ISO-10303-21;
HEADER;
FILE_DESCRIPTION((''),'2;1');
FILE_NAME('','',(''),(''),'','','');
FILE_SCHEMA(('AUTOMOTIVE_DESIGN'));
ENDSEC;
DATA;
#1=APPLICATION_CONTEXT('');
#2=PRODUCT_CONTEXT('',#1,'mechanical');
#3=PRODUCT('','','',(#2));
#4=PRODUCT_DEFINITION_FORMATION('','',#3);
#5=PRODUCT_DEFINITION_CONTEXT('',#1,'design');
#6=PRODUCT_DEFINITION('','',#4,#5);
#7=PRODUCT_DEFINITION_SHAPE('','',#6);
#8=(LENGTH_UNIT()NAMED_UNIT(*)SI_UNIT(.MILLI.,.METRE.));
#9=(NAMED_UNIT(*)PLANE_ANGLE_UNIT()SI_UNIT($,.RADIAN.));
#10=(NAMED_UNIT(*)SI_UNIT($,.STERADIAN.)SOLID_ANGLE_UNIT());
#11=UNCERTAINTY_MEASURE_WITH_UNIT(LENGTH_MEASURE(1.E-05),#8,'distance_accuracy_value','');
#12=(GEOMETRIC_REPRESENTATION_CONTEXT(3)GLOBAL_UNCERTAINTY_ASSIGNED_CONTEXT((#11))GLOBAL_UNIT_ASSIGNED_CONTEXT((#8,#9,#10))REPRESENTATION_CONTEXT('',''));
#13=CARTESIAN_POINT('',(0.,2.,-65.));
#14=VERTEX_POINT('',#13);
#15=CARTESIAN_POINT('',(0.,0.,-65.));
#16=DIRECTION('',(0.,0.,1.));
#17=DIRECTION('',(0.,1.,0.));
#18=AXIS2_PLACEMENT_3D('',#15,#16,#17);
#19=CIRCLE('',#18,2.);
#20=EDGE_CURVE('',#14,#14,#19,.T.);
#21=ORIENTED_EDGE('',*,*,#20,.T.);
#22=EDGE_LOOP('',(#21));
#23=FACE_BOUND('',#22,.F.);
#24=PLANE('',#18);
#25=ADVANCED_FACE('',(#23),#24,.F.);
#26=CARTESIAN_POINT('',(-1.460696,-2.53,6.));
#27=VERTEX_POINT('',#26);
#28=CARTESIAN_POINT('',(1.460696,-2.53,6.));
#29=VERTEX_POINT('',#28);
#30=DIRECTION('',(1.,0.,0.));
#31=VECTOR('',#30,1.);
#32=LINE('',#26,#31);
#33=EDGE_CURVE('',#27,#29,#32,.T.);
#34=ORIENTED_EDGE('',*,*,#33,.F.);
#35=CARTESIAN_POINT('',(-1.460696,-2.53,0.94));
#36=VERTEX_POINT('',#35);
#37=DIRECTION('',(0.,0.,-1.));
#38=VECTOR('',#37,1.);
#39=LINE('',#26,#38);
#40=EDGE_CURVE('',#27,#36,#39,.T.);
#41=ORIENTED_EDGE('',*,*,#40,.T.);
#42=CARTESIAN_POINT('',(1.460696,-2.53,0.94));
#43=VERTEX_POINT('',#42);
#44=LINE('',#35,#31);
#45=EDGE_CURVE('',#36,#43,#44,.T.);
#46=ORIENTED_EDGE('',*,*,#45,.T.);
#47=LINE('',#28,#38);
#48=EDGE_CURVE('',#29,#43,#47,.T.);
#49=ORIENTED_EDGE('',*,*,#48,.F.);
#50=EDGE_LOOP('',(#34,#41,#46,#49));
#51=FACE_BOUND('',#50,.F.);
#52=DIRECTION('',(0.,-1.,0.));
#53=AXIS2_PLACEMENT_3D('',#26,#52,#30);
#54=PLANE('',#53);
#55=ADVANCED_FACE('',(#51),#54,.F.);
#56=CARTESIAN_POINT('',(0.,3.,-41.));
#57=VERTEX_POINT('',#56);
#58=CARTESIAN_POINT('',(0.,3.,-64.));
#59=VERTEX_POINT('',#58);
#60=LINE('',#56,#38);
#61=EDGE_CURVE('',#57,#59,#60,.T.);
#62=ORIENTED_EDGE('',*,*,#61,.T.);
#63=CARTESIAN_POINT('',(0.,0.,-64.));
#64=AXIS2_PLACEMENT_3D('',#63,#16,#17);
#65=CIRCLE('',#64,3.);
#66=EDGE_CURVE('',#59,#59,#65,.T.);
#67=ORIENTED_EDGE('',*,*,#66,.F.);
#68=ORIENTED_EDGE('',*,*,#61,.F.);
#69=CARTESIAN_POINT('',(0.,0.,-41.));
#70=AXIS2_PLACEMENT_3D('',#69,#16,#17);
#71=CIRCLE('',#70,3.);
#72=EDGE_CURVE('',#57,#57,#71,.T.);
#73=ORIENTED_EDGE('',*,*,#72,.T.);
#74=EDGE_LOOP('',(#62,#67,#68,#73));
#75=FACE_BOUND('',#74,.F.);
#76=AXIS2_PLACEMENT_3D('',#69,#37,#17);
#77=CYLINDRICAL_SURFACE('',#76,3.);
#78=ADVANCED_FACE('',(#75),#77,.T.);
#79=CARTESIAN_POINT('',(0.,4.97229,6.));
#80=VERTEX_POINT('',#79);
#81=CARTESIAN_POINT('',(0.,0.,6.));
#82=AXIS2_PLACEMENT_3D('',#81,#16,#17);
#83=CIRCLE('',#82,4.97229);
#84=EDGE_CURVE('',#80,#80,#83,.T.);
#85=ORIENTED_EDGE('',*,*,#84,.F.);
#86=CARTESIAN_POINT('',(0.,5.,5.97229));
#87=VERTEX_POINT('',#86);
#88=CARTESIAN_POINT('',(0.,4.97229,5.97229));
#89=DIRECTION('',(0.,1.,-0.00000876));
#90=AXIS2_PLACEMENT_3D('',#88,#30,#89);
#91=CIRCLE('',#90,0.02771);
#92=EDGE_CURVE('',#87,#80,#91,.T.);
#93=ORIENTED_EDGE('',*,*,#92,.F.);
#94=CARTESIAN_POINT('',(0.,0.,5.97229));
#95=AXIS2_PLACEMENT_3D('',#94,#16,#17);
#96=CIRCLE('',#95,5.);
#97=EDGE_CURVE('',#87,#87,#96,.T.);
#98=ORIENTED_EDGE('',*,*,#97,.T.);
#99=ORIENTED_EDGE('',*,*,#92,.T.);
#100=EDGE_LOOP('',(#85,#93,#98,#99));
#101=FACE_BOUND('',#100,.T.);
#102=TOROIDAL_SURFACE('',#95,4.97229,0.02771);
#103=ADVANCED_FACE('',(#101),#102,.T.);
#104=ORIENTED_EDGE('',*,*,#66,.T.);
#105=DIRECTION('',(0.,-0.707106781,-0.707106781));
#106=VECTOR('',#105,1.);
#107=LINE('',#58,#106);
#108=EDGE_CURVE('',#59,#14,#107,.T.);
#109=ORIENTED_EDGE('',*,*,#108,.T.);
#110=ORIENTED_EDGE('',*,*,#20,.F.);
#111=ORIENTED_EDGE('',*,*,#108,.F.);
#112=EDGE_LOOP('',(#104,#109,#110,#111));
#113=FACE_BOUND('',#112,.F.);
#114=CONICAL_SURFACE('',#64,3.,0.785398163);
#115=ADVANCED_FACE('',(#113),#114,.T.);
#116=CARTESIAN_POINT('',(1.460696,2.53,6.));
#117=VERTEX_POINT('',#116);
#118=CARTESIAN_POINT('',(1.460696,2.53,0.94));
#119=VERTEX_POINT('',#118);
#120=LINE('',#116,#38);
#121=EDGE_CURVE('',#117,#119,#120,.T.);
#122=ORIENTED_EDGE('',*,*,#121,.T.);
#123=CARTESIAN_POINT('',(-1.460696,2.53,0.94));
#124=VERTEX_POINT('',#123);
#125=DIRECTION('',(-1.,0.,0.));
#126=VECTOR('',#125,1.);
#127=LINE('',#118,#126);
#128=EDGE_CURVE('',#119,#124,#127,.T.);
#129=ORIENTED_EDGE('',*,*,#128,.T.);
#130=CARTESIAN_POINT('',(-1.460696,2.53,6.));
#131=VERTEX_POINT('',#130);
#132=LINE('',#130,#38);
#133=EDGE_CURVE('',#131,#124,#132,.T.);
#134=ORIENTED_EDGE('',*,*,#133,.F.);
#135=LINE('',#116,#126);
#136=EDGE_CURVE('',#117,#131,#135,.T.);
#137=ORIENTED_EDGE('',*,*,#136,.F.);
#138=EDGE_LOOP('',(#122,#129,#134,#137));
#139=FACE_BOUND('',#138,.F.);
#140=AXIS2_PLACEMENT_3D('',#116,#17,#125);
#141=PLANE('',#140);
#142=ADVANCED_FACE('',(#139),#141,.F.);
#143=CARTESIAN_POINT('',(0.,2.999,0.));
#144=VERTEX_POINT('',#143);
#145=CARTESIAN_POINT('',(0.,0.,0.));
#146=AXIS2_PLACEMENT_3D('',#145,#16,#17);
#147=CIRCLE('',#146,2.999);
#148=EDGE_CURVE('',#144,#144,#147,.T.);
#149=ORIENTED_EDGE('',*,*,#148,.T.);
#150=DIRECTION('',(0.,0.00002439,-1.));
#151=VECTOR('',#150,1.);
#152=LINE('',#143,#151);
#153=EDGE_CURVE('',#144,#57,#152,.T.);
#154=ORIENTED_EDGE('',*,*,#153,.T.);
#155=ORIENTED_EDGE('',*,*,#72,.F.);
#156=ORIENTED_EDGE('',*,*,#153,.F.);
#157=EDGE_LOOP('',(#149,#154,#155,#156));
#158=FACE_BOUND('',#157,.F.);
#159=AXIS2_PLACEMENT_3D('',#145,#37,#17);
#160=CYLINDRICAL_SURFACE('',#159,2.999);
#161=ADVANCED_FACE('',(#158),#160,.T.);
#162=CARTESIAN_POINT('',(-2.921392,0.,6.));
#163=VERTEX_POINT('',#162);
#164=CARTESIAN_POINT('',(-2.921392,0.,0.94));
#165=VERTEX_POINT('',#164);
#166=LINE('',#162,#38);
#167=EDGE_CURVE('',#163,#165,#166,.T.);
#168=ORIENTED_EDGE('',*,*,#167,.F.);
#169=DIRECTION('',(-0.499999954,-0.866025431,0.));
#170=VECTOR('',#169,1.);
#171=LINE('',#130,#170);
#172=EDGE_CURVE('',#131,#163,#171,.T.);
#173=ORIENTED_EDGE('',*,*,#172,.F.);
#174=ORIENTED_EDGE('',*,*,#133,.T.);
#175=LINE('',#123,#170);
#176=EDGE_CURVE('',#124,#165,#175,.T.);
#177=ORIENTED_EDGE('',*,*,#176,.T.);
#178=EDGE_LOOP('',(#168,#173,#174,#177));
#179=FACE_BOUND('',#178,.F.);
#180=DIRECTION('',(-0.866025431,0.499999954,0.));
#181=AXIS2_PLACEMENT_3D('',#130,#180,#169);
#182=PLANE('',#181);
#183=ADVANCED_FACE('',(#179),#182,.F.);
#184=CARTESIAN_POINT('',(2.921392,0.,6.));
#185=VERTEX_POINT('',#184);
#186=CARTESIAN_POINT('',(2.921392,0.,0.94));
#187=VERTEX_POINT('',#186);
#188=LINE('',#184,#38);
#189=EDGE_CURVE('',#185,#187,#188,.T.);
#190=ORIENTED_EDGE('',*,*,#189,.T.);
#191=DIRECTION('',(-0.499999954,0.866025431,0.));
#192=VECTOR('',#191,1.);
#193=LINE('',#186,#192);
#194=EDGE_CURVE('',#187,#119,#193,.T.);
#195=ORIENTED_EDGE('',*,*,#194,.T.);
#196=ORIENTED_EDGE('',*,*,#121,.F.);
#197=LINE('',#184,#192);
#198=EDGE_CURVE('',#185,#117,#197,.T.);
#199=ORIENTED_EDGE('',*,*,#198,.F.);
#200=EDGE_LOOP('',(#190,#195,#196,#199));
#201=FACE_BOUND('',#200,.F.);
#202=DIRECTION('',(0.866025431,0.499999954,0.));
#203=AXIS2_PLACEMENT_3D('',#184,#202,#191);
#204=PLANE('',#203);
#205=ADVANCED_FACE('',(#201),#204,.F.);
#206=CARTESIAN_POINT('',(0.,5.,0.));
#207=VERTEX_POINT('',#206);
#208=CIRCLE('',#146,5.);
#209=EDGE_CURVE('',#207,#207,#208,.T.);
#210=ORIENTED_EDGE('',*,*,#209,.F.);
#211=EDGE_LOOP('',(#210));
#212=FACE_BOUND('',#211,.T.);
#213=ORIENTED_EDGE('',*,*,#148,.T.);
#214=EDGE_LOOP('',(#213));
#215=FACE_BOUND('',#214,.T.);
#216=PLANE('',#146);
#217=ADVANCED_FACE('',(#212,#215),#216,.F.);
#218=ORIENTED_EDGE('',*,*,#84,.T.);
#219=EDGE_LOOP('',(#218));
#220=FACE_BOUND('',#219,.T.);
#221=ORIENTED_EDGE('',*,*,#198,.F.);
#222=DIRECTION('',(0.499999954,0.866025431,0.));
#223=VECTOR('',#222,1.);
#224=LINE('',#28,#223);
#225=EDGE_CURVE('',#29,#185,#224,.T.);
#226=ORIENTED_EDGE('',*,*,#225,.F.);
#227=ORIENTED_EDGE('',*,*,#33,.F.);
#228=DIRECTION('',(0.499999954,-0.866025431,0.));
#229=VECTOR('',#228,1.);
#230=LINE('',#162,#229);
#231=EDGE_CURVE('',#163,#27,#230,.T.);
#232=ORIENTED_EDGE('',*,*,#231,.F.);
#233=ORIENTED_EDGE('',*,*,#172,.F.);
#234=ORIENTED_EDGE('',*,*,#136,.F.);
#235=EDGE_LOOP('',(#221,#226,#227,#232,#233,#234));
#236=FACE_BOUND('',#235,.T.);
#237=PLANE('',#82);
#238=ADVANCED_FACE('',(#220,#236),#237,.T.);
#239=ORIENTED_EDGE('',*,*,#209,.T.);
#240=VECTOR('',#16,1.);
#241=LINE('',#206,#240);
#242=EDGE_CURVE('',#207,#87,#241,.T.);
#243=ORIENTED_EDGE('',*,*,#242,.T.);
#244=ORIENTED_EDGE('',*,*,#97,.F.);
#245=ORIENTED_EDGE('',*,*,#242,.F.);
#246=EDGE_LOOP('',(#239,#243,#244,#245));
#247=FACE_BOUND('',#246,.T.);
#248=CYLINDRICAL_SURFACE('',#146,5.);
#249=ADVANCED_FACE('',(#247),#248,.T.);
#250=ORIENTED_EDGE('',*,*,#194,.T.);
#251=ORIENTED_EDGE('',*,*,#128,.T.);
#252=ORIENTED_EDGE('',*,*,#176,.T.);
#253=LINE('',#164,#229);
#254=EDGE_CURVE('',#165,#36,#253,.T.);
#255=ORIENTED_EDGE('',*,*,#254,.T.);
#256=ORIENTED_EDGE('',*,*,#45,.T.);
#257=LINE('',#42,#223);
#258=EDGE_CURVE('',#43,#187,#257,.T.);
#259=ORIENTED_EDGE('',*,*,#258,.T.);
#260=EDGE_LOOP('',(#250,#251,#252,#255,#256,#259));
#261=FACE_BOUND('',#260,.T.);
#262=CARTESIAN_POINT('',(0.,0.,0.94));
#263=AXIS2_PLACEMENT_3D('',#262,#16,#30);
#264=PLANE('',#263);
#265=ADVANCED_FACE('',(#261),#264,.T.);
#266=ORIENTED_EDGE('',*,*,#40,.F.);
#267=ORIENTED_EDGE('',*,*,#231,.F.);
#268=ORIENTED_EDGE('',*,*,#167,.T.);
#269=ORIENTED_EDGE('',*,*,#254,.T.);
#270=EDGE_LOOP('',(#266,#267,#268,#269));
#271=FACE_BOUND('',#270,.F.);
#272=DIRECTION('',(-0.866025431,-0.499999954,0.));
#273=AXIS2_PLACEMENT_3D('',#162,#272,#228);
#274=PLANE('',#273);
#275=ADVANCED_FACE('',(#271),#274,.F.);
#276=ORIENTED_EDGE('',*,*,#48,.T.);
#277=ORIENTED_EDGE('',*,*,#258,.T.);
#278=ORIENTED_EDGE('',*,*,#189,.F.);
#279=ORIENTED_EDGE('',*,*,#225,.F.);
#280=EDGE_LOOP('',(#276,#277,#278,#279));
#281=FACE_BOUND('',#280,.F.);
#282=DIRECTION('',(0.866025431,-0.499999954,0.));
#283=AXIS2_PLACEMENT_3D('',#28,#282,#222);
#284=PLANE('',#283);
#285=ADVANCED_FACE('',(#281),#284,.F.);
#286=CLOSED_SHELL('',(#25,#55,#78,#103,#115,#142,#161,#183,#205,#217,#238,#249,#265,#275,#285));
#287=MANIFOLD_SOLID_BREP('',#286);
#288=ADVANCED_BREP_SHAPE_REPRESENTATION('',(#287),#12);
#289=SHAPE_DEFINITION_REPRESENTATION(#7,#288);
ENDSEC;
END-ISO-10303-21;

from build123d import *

# Parameters (mm, degrees)
POCKET_DEPTH = 5.06


with BuildPart() as part:
    # Sketch → Revolve (revolve)
    with BuildSketch(Plane.YZ):
        with BuildLine():
            Line((2.999, 0), (5, 0))
            Line((5, 0), (5, 5.97229))
            ThreePointArc((5, 5.97229), (4.991884, 5.991884), (4.97229, 6))
            Line((4.97229, 6), (0, 6))
            Line((0, -65), (0, 6))
            Line((2, -65), (0, -65))
            Line((3, -64), (2, -65))
            Line((3, -41), (3, -64))
            Line((2.999, 0), (3, -41))
        make_face()
    revolve(axis=Axis((0, 0, 0), (0, 0, 1)))

    # Sketch001 → Pocket (cut)
    with BuildSketch(Plane.XY.offset(6)):
        Polygon((2.921392, 0), (1.460696, 2.53), (-1.460696, 2.53), (-2.921392, 0), (-1.460696, -2.53), (1.460696, -2.53), align=None)
    extrude(amount=-POCKET_DEPTH, mode=Mode.SUBTRACT)


solid = part.part
